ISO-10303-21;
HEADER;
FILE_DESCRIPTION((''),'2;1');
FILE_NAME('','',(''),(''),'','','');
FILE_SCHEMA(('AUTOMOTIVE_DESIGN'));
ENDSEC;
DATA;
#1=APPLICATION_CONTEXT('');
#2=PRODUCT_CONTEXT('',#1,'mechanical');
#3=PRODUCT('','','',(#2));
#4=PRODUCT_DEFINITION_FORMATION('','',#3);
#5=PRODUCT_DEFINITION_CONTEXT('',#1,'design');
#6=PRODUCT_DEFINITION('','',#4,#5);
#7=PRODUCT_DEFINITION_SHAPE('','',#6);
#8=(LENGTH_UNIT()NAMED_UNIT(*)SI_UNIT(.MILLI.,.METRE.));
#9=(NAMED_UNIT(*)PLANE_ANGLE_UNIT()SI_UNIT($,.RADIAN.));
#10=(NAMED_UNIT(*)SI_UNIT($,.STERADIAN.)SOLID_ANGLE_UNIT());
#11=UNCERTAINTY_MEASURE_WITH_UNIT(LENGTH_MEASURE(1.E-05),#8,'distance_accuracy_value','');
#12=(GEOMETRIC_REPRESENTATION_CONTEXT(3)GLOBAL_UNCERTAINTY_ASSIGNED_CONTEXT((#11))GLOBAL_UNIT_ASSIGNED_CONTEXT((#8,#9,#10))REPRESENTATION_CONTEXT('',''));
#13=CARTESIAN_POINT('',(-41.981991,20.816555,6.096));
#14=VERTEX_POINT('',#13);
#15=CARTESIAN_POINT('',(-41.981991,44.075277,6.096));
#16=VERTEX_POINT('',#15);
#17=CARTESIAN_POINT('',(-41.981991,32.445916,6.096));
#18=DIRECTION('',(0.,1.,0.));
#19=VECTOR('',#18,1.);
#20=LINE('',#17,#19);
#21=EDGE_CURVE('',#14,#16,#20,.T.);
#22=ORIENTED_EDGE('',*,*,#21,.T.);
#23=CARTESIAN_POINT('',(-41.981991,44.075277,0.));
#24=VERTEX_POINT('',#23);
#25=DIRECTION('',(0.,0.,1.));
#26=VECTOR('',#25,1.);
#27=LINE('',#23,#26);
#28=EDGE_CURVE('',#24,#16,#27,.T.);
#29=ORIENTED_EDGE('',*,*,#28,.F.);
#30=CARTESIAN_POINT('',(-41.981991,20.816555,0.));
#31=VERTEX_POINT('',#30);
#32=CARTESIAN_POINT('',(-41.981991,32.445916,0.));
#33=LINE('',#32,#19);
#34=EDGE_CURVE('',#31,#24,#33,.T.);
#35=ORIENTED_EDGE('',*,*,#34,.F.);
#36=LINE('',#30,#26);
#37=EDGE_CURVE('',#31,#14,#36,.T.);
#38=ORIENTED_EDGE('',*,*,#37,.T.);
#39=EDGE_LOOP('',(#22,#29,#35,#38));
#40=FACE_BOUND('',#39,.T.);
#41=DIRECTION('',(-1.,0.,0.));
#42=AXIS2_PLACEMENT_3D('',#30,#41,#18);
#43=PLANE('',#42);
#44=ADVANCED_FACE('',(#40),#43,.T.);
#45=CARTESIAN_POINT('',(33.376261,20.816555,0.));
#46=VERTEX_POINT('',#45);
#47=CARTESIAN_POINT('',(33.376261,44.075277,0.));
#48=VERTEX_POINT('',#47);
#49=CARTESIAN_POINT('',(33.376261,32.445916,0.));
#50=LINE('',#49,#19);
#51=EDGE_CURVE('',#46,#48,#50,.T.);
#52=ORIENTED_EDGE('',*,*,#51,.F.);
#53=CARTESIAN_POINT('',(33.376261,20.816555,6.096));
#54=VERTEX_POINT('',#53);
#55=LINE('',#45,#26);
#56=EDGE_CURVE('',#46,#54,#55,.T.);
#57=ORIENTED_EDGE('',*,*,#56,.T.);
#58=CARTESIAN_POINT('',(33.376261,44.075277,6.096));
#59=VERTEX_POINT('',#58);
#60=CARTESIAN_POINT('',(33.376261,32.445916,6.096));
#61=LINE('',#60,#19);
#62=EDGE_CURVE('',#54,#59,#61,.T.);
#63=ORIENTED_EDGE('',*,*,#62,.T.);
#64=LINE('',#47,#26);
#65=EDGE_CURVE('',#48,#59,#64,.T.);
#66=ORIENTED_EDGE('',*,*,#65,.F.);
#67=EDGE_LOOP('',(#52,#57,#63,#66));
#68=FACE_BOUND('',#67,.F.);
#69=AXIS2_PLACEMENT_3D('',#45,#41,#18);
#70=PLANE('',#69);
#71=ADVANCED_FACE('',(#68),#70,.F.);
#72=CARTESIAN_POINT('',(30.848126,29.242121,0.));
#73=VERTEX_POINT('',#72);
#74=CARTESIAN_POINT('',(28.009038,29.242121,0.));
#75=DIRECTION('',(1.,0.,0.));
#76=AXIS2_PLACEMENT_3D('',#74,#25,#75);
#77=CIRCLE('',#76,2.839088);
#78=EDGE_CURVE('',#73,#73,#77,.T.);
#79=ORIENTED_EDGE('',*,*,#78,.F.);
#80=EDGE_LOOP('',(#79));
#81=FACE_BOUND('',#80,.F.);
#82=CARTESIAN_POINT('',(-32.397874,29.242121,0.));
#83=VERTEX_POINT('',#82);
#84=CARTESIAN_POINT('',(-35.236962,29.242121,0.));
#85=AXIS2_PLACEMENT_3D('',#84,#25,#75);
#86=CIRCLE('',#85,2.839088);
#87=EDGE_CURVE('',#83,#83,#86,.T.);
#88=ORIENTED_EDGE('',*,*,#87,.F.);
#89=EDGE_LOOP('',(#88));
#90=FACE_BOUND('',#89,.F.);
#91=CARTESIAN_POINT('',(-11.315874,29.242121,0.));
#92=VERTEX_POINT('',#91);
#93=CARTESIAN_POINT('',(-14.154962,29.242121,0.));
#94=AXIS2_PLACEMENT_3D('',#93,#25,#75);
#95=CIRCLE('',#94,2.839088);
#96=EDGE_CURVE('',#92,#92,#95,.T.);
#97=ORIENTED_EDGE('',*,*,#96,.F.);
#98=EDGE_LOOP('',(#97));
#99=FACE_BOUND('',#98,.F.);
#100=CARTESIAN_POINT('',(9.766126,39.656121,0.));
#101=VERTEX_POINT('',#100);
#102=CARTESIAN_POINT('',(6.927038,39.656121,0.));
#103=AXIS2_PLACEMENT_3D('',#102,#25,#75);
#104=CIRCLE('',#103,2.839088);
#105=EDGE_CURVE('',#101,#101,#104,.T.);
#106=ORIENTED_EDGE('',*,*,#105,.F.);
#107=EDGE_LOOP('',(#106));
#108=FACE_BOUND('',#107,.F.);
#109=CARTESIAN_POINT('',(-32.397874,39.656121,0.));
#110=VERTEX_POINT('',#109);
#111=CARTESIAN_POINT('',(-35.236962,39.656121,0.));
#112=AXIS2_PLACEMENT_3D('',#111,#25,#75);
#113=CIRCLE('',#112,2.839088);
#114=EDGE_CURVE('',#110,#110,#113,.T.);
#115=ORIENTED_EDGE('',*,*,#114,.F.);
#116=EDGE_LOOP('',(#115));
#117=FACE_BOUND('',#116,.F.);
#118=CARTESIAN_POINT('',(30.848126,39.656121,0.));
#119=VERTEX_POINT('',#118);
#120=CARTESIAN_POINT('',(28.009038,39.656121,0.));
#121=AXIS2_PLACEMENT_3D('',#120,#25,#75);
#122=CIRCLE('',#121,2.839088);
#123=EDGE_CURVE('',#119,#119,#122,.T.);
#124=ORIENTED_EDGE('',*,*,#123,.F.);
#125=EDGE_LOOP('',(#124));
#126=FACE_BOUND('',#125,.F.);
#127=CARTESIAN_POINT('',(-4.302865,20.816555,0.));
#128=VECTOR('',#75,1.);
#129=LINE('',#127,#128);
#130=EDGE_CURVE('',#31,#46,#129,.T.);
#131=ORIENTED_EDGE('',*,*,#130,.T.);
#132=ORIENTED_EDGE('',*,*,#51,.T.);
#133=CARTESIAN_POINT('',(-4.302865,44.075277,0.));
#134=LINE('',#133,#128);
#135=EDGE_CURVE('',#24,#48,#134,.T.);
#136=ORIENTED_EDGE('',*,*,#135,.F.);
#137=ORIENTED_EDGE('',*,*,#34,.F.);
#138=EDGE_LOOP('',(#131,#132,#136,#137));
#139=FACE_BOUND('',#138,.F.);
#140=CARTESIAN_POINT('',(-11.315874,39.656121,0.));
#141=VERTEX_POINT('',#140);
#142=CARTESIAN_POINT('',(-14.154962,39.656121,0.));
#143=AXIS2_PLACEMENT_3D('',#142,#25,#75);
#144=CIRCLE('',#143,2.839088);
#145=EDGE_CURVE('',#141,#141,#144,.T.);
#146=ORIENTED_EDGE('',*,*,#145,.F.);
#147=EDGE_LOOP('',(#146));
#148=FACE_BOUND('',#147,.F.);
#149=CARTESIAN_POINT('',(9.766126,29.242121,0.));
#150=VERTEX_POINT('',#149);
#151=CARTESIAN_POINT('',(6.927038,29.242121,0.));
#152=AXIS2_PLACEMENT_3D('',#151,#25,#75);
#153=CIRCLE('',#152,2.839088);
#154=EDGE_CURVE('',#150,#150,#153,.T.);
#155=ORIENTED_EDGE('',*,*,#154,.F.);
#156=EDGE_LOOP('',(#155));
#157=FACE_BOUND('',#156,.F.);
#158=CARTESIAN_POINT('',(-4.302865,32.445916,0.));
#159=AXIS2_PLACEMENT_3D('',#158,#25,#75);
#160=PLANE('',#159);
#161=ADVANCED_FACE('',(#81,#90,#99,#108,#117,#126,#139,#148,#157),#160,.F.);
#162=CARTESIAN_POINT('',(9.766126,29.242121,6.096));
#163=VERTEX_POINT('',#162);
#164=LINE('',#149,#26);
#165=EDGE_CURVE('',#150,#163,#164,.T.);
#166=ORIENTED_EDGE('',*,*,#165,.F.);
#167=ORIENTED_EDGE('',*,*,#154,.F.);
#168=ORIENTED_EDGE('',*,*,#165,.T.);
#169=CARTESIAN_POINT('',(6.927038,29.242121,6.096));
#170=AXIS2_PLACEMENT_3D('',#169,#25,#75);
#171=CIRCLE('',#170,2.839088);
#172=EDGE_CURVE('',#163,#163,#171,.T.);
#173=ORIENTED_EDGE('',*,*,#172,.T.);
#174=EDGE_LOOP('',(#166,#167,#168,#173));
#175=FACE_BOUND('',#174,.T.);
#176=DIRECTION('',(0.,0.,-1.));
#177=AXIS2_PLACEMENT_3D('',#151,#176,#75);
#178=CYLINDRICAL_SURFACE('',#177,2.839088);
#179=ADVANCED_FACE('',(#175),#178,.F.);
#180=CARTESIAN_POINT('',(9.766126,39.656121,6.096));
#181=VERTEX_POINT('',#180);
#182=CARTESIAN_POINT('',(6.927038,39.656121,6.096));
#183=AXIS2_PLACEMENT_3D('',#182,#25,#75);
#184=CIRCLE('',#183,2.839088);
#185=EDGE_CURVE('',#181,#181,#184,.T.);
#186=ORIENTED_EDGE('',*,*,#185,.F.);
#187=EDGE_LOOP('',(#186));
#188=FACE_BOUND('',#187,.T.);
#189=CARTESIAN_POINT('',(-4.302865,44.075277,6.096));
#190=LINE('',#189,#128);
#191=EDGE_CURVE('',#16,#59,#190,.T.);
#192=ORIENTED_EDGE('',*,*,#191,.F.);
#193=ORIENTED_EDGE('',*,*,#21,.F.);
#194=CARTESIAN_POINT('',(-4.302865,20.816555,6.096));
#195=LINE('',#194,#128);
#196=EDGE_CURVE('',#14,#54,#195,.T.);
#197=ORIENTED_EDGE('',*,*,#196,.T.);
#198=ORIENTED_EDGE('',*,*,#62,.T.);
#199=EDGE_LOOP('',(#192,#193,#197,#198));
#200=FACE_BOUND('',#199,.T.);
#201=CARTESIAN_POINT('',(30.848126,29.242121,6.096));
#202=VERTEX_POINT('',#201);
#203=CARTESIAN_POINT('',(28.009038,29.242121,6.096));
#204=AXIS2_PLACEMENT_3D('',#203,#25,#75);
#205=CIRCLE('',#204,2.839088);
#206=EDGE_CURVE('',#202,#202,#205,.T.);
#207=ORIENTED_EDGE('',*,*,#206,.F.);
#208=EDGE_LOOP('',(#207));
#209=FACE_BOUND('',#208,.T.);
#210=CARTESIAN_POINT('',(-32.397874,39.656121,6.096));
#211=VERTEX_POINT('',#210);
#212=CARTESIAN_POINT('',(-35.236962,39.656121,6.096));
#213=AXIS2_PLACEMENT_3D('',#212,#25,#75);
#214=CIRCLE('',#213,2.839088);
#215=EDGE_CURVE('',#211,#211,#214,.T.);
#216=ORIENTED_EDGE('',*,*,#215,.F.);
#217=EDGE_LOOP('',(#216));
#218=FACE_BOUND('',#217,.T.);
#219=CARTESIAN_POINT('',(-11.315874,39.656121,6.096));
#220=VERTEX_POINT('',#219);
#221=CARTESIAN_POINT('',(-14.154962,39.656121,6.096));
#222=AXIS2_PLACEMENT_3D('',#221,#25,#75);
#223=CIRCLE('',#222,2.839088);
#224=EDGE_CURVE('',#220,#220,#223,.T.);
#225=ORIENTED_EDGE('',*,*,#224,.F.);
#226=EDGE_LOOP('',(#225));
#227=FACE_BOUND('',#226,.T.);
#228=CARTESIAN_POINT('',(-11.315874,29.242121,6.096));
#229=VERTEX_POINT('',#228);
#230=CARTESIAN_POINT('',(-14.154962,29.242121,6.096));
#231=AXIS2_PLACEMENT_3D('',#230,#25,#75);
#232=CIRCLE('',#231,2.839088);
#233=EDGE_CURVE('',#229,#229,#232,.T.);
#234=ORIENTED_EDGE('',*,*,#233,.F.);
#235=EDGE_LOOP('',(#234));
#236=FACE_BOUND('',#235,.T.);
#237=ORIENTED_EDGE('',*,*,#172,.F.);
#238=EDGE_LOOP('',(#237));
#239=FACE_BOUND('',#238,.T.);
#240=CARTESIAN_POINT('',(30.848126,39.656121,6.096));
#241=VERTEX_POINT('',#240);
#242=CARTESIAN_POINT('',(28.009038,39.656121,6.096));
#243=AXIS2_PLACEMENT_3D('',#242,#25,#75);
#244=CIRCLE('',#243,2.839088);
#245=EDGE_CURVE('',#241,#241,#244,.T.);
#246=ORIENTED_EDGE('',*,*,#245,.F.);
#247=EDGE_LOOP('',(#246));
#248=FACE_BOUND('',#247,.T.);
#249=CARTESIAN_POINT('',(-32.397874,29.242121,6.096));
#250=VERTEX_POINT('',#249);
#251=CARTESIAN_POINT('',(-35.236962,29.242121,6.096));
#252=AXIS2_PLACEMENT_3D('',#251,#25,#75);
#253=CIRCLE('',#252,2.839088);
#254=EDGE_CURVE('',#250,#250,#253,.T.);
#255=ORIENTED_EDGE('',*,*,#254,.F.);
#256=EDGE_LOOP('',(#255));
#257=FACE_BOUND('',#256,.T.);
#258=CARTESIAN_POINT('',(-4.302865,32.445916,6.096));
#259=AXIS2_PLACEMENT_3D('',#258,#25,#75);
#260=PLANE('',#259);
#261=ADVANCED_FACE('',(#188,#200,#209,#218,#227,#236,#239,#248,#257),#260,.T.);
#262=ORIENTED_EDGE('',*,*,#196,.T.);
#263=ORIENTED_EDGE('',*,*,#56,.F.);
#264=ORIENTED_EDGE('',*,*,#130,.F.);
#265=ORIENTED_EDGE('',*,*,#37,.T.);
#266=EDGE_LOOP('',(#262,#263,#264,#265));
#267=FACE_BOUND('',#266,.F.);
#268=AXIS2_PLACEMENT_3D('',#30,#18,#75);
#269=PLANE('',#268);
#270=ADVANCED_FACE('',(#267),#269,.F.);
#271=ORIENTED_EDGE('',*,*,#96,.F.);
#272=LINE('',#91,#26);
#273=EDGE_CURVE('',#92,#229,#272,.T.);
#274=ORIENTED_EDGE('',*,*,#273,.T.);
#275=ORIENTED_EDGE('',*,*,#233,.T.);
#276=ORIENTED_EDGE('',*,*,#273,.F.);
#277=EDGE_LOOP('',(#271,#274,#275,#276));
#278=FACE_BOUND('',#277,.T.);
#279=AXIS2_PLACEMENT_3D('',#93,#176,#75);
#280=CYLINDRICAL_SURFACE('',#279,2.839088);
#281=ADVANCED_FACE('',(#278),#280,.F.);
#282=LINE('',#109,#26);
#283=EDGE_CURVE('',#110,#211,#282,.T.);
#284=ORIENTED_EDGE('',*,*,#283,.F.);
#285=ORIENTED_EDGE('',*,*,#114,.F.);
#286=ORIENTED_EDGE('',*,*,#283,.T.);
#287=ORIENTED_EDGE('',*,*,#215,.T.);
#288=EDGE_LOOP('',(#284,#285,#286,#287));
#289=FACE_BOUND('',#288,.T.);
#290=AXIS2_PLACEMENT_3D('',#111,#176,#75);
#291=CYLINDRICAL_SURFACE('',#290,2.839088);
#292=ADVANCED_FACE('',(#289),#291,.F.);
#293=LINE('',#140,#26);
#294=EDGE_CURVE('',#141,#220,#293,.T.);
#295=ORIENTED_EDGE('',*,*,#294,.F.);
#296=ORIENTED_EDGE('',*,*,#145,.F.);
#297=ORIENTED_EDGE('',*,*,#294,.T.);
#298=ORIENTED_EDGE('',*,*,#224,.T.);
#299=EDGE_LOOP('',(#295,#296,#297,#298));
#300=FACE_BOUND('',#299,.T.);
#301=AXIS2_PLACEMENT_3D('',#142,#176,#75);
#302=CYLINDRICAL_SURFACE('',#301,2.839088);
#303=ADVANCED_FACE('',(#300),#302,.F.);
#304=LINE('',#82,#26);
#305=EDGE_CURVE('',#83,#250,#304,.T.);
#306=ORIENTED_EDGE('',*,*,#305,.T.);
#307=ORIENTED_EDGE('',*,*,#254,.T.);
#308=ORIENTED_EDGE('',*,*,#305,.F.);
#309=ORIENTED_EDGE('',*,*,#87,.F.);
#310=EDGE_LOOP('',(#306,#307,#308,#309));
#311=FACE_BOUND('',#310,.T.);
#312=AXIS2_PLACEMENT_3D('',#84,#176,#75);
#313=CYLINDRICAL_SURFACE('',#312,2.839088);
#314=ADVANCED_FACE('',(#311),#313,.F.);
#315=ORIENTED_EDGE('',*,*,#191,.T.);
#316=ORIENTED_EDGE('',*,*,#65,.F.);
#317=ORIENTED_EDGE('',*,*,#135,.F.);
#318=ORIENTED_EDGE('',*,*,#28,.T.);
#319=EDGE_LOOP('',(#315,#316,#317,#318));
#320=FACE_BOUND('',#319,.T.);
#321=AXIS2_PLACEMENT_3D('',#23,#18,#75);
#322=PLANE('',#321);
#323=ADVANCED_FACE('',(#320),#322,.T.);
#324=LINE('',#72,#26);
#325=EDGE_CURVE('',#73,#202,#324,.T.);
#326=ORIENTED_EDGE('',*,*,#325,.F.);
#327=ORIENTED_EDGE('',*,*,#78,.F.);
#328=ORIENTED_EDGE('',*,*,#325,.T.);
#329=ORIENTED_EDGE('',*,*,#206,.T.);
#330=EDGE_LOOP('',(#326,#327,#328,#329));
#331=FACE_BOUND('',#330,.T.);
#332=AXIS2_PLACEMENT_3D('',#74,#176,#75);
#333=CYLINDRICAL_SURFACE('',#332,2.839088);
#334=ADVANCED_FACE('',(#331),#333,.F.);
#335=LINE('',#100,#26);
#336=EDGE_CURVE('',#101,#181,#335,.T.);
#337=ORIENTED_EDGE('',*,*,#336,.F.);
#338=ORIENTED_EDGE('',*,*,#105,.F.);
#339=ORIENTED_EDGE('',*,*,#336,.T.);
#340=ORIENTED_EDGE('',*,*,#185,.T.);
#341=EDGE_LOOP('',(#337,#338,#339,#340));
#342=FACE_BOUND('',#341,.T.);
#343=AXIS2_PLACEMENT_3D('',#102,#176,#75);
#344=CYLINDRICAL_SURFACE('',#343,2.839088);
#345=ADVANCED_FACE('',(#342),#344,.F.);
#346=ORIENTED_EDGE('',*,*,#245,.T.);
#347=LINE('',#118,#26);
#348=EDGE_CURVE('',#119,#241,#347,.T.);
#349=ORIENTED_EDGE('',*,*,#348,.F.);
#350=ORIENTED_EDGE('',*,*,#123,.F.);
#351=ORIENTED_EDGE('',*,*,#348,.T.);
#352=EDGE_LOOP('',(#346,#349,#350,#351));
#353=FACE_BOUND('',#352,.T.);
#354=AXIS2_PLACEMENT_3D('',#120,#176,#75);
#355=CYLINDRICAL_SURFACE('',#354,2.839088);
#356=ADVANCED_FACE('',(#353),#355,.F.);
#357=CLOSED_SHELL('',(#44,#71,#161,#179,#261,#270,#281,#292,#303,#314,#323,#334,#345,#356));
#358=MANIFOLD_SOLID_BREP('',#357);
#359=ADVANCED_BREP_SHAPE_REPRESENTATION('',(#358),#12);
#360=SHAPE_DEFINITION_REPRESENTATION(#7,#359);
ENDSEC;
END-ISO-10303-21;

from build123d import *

# Parameters (mm, degrees)
F0_W     = 75.358253
F0_H     = 23.258722
F0_R     = 2.839088
F1_DEPTH = 6.096


with BuildPart() as f1:
    # F0 (on Top) → F1 (new body)
    with BuildSketch(Plane.XY):
        with Locations((-4.302865, 32.445916)):
            Rectangle(F0_W, F0_H)
        with Locations((-35.236962, 29.242121)):
            Circle(F0_R, mode=Mode.SUBTRACT)
        with Locations((-14.154962, 29.242121)):
            Circle(F0_R, mode=Mode.SUBTRACT)
        with Locations((6.927038, 29.242121)):
            Circle(F0_R, mode=Mode.SUBTRACT)
        with Locations((28.009038, 29.242121)):
            Circle(F0_R, mode=Mode.SUBTRACT)
        with Locations((-35.236962, 39.656121)):
            Circle(F0_R, mode=Mode.SUBTRACT)
        with Locations((-14.154962, 39.656121)):
            Circle(F0_R, mode=Mode.SUBTRACT)
        with Locations((6.927038, 39.656121)):
            Circle(F0_R, mode=Mode.SUBTRACT)
        with Locations((28.009038, 39.656121)):
            Circle(F0_R, mode=Mode.SUBTRACT)
    extrude(amount=F1_DEPTH)


solid = f1.part
